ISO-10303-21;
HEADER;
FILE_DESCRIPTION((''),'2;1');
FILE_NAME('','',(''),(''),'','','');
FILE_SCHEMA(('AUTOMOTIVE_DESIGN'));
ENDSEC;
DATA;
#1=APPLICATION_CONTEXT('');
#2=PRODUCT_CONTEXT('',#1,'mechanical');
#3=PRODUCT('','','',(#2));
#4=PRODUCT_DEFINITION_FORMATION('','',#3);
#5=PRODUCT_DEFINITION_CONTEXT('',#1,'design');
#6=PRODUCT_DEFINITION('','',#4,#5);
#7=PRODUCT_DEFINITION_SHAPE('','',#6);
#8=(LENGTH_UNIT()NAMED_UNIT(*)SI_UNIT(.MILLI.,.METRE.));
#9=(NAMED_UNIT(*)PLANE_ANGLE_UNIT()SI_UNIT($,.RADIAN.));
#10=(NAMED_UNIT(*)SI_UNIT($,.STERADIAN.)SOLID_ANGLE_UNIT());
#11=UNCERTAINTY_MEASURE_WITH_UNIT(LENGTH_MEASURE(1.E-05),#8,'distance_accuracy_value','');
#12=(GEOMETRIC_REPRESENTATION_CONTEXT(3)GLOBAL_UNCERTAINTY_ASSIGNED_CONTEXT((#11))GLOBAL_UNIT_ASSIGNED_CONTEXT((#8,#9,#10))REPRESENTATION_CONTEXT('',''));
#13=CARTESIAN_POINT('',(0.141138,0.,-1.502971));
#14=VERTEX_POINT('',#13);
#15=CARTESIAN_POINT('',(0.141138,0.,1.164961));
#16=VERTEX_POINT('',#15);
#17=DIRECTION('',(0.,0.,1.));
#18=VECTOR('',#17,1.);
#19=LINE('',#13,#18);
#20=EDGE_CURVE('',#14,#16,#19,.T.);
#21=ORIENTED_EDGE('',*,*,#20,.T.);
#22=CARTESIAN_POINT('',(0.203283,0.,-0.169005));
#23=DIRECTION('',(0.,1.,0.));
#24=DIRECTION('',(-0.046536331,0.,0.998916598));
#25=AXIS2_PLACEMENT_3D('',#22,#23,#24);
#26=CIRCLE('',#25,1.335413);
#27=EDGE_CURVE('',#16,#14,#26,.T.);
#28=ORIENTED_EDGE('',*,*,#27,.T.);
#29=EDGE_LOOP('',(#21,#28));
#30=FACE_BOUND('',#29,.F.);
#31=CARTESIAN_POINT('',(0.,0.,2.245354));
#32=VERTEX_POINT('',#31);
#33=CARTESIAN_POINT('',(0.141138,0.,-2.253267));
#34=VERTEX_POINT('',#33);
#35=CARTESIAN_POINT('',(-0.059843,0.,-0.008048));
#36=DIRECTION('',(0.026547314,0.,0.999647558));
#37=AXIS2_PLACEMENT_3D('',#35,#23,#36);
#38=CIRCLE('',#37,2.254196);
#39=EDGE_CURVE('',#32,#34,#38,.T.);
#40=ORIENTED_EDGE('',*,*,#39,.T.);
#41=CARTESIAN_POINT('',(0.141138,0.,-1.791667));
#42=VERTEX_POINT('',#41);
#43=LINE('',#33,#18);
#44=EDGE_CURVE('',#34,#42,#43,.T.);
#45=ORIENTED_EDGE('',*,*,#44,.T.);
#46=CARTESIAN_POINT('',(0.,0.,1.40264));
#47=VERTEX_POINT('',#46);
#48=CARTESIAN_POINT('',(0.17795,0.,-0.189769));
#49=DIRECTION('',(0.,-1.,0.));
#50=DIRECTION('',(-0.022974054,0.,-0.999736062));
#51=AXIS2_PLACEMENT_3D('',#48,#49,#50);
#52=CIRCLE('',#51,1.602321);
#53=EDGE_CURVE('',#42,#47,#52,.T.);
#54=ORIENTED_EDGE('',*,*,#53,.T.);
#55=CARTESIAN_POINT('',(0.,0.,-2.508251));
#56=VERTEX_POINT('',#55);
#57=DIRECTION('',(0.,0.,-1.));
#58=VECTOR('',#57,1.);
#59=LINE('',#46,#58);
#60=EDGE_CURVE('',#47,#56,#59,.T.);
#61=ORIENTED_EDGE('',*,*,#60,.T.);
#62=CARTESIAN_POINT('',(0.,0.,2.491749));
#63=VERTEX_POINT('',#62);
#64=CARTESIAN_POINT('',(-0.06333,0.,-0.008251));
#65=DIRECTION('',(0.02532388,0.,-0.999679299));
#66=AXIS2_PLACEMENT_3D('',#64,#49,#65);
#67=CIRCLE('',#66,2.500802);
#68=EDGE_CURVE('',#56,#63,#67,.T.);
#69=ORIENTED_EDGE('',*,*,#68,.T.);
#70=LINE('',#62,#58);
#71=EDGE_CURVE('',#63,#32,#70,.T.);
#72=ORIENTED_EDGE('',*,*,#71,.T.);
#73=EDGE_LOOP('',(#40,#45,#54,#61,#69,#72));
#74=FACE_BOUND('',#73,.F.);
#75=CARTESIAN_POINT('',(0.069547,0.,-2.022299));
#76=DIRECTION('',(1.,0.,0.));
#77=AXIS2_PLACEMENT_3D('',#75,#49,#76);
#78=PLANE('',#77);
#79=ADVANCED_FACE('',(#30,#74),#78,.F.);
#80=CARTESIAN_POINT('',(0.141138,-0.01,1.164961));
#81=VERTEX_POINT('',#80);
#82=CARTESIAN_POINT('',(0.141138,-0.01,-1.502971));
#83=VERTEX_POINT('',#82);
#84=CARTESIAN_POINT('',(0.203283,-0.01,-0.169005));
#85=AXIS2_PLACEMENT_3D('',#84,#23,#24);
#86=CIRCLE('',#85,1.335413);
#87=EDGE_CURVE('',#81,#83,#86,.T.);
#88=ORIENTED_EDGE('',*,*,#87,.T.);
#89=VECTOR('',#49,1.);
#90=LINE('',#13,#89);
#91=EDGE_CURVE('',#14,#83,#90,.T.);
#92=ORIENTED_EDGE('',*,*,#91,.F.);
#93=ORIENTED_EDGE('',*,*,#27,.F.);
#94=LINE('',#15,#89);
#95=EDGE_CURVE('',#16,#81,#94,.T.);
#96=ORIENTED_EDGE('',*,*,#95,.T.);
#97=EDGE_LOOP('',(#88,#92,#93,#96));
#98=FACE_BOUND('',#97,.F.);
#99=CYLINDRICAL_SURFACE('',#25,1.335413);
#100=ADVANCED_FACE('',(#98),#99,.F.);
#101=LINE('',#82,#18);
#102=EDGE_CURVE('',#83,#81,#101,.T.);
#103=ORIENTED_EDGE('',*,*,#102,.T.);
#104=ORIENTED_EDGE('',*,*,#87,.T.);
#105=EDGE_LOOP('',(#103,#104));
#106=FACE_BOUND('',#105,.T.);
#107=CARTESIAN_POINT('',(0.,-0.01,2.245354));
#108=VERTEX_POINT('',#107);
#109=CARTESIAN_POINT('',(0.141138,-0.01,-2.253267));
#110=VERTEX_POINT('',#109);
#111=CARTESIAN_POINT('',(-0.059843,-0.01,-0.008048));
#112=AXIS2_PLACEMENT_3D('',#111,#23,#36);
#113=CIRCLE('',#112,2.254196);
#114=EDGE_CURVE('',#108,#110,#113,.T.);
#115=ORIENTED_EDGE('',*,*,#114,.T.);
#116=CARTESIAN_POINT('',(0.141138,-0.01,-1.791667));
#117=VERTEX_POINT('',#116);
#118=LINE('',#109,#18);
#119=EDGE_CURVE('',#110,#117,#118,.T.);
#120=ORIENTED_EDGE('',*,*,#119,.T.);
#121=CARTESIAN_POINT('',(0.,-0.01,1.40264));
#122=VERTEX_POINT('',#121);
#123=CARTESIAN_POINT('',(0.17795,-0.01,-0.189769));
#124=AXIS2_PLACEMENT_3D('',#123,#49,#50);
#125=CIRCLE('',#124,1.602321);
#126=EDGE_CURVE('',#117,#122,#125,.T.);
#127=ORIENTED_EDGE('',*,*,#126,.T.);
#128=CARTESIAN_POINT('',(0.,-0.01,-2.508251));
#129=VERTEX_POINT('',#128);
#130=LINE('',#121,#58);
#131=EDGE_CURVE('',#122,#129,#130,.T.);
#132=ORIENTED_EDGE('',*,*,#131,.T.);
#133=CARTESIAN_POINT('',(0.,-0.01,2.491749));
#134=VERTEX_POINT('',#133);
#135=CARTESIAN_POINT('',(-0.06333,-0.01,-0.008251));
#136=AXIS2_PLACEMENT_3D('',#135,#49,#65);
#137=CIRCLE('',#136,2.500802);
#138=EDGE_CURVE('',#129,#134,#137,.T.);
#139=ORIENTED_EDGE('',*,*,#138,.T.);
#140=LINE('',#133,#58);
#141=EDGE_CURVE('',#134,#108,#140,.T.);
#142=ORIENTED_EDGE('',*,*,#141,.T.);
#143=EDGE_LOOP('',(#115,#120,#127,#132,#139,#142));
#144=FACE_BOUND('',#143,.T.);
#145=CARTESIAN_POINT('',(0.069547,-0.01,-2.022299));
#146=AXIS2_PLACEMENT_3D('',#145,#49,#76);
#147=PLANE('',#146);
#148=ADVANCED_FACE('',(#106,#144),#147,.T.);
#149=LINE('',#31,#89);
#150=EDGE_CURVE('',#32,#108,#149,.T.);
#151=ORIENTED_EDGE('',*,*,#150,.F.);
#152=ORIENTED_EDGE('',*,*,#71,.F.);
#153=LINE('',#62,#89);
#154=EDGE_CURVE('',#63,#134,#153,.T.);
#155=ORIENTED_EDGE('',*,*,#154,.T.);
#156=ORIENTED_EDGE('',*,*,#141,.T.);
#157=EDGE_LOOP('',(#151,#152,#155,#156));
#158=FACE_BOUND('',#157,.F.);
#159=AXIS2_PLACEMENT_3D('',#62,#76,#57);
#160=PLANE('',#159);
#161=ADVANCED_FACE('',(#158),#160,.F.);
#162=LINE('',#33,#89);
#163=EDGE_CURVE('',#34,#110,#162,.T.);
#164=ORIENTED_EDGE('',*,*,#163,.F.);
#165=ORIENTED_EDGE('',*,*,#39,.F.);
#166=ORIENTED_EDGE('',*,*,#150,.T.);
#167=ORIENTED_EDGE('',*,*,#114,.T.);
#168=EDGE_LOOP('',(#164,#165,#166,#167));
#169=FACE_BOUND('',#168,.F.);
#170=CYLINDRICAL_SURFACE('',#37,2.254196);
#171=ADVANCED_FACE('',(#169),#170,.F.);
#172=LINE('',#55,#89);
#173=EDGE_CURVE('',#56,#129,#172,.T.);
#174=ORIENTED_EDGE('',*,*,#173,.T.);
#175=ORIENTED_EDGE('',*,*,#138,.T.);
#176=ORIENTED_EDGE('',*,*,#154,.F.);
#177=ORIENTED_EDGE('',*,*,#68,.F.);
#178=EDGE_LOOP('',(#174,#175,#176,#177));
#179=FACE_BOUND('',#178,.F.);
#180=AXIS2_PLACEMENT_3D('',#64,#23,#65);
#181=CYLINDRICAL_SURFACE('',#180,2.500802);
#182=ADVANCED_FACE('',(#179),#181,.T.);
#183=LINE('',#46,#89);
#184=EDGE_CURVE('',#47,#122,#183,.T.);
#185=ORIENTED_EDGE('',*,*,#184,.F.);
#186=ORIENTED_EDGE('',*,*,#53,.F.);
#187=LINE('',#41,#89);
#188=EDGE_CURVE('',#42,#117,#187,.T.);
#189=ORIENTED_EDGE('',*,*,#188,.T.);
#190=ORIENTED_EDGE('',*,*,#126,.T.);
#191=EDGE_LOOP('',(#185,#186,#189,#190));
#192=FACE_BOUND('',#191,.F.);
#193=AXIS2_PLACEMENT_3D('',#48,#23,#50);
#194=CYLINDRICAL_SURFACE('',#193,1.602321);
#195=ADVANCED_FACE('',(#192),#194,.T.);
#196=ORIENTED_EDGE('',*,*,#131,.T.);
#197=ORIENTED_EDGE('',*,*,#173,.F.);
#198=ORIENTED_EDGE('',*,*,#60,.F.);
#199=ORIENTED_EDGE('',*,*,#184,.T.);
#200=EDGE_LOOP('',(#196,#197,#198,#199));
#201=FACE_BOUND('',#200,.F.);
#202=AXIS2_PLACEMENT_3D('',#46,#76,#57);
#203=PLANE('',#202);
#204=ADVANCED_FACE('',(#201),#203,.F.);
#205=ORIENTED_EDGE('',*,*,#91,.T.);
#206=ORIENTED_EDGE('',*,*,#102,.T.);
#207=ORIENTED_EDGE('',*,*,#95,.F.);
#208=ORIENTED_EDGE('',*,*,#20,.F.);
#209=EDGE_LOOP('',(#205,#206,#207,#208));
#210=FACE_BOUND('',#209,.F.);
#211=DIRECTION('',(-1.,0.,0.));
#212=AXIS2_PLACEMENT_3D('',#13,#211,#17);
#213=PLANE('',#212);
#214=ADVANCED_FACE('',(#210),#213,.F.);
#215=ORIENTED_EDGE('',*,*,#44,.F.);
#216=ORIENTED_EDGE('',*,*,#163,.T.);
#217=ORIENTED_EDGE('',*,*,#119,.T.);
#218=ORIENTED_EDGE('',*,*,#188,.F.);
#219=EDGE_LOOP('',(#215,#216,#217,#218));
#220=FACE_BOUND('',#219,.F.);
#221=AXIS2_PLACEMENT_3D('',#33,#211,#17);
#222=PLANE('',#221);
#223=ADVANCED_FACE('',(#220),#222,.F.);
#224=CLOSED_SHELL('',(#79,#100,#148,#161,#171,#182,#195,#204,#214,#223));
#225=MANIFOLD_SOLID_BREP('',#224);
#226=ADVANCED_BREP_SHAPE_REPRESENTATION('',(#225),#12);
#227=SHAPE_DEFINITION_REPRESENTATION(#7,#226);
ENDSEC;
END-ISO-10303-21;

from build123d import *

# Parameters (mm, degrees)
F1_DEPTH = 0.01


with BuildPart() as f1:
    # F0 (on Front) → F1 (new body)
    with BuildSketch(Plane.XZ):
        with BuildLine():
            Line((0, -1.782178), (0, -2.26145))
            ThreePointArc((0, -2.26145), (0.070633, -2.258465), (0.141138, -2.253267))
            Line((0.141138, -2.253267), (0.141138, -1.791667))
            ThreePointArc((0.141138, -1.791667), (0.070464, -1.788481), (0, -1.782178))
        make_face()
        with BuildLine():
            ThreePointArc((0.141138, -2.253267), (0.070633, -2.258465), (0, -2.26145))
            Line((0, -2.26145), (0, -2.508251))
            ThreePointArc((0, -2.508251), (2.437472, -0.008251), (0, 2.491749))
            Line((0, 2.491749), (0, 2.245354))
            ThreePointArc((0, 2.245354), (2.193245, 0.06264), (0.141138, -2.253267))
        make_face()
        with BuildLine():
            Line((0, -1.488855), (0, -1.782178))
            ThreePointArc((0, -1.782178), (0.070464, -1.788481), (0.141138, -1.791667))
            Line((0.141138, -1.791667), (0.141138, -1.502971))
            ThreePointArc((0.141138, -1.502971), (0.070381, -1.497788), (0, -1.488855))
        make_face()
        with BuildLine():
            Line((0.141138, -1.502971), (0.141138, -1.791667))
            ThreePointArc((0.141138, -1.791667), (1.778709, -0.119041), (0, 1.40264))
            Line((0, 1.40264), (0, 1.150845))
            ThreePointArc((0, 1.150845), (0.070381, 1.159778), (0.141138, 1.164961))
            ThreePointArc((0.141138, 1.164961), (1.538696, -0.169005), (0.141138, -1.502971))
        make_face()
        with BuildLine():
            Line((0, 1.150845), (0, -1.488855))
            ThreePointArc((0, -1.488855), (0.070381, -1.497788), (0.141138, -1.502971))
            Line((0.141138, -1.502971), (0.141138, 1.164961))
            ThreePointArc((0.141138, 1.164961), (0.070381, 1.159778), (0, 1.150845))
        make_face()
    extrude(amount=F1_DEPTH)


solid = f1.part
